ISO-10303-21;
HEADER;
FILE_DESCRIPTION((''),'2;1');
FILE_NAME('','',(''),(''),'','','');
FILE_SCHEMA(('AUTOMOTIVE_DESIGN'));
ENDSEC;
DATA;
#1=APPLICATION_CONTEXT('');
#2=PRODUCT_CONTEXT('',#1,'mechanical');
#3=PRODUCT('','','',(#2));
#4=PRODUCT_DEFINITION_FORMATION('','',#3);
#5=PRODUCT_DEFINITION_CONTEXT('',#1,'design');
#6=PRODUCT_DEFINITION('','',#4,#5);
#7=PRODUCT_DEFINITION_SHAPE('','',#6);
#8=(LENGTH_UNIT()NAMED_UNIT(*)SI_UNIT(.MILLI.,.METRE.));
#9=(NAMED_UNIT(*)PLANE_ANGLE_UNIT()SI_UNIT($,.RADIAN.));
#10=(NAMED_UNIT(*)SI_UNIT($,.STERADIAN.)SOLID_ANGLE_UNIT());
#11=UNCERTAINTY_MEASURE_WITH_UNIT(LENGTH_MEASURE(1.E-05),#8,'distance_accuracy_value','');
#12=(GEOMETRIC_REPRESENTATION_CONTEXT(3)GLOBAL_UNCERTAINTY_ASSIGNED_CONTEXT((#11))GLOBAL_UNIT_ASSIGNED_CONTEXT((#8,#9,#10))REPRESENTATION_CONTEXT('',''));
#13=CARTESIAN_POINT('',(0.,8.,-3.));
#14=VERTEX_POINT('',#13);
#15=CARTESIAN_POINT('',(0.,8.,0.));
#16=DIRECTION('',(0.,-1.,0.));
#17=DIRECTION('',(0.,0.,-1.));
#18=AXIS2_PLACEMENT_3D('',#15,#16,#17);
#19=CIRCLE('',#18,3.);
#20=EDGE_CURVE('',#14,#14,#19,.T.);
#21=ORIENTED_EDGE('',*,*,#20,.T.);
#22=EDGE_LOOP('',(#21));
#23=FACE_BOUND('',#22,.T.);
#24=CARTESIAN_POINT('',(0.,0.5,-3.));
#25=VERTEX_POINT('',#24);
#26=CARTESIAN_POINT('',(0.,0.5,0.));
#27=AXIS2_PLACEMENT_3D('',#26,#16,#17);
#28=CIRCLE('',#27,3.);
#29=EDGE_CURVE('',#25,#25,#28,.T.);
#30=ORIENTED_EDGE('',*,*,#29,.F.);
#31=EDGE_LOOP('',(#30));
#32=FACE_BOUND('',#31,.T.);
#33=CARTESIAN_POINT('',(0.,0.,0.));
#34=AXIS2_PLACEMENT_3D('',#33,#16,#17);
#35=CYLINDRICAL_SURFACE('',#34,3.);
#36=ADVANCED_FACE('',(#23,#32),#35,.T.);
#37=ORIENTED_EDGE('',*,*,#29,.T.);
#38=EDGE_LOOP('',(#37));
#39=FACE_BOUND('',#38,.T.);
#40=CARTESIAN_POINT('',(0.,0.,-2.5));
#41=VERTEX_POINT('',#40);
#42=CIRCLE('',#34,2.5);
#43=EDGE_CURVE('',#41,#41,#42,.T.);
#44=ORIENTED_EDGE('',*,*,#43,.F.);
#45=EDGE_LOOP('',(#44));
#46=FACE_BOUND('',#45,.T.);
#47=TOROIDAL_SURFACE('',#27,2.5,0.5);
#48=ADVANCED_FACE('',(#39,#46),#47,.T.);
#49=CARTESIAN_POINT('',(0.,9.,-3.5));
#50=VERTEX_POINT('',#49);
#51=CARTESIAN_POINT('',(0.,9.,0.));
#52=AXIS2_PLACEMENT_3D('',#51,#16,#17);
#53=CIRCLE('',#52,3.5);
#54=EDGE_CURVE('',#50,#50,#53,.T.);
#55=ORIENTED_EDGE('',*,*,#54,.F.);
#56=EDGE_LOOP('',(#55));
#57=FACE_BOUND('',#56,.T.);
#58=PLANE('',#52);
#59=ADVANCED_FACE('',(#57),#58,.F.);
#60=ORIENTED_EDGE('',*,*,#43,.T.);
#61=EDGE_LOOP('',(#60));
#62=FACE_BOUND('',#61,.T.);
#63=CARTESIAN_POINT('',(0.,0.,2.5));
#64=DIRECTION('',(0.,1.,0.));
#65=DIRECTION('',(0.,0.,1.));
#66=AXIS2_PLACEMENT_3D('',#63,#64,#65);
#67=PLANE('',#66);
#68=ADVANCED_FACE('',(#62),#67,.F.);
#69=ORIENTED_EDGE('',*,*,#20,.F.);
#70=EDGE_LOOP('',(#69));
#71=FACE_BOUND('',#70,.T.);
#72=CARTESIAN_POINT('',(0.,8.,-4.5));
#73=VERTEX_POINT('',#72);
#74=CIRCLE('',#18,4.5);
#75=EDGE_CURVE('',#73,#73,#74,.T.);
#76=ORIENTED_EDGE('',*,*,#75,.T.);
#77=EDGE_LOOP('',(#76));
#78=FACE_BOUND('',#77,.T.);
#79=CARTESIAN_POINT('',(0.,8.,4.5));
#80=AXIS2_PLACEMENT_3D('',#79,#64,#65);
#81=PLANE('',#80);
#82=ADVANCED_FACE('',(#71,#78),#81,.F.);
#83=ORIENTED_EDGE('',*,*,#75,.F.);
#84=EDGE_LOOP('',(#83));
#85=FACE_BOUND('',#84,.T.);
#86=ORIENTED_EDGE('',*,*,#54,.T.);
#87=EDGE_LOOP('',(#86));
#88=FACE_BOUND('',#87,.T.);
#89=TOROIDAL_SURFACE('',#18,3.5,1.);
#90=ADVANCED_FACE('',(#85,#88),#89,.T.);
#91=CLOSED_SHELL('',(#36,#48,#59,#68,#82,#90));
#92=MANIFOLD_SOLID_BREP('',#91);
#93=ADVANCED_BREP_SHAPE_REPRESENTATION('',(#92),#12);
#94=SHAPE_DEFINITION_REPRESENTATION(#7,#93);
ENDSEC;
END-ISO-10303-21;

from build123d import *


with BuildPart() as part:
    # Esboço1 → Revolução1 (revolve)
    with BuildSketch(Plane(origin=(0, 0, 0), x_dir=(0, 0, -1), z_dir=(1, 0, 0)), mode=Mode.PRIVATE) as revolu_o1_sk:
        with BuildLine():
            Line((0, 9), (-3.5, 9))
            ThreePointArc((-3.5, 9), (-4.207106781, 8.707106781), (-4.5, 8))
            Line((-4.5, 8), (-3, 8))
            Line((-3, 8), (-3, 0.5))
            ThreePointArc((-3, 0.5), (-2.853553391, 0.146446609), (-2.5, 0))
            Line((-2.5, 0), (0, 0))
            Line((0, 0), (0, 9))
        make_face()
    revolve(revolu_o1_sk.sketch.rotate(Axis((0, 0, 0), (0, 1, 0)), 180), axis=Axis((0, 0, 0), (0, 1, 0)))


solid = part.part
